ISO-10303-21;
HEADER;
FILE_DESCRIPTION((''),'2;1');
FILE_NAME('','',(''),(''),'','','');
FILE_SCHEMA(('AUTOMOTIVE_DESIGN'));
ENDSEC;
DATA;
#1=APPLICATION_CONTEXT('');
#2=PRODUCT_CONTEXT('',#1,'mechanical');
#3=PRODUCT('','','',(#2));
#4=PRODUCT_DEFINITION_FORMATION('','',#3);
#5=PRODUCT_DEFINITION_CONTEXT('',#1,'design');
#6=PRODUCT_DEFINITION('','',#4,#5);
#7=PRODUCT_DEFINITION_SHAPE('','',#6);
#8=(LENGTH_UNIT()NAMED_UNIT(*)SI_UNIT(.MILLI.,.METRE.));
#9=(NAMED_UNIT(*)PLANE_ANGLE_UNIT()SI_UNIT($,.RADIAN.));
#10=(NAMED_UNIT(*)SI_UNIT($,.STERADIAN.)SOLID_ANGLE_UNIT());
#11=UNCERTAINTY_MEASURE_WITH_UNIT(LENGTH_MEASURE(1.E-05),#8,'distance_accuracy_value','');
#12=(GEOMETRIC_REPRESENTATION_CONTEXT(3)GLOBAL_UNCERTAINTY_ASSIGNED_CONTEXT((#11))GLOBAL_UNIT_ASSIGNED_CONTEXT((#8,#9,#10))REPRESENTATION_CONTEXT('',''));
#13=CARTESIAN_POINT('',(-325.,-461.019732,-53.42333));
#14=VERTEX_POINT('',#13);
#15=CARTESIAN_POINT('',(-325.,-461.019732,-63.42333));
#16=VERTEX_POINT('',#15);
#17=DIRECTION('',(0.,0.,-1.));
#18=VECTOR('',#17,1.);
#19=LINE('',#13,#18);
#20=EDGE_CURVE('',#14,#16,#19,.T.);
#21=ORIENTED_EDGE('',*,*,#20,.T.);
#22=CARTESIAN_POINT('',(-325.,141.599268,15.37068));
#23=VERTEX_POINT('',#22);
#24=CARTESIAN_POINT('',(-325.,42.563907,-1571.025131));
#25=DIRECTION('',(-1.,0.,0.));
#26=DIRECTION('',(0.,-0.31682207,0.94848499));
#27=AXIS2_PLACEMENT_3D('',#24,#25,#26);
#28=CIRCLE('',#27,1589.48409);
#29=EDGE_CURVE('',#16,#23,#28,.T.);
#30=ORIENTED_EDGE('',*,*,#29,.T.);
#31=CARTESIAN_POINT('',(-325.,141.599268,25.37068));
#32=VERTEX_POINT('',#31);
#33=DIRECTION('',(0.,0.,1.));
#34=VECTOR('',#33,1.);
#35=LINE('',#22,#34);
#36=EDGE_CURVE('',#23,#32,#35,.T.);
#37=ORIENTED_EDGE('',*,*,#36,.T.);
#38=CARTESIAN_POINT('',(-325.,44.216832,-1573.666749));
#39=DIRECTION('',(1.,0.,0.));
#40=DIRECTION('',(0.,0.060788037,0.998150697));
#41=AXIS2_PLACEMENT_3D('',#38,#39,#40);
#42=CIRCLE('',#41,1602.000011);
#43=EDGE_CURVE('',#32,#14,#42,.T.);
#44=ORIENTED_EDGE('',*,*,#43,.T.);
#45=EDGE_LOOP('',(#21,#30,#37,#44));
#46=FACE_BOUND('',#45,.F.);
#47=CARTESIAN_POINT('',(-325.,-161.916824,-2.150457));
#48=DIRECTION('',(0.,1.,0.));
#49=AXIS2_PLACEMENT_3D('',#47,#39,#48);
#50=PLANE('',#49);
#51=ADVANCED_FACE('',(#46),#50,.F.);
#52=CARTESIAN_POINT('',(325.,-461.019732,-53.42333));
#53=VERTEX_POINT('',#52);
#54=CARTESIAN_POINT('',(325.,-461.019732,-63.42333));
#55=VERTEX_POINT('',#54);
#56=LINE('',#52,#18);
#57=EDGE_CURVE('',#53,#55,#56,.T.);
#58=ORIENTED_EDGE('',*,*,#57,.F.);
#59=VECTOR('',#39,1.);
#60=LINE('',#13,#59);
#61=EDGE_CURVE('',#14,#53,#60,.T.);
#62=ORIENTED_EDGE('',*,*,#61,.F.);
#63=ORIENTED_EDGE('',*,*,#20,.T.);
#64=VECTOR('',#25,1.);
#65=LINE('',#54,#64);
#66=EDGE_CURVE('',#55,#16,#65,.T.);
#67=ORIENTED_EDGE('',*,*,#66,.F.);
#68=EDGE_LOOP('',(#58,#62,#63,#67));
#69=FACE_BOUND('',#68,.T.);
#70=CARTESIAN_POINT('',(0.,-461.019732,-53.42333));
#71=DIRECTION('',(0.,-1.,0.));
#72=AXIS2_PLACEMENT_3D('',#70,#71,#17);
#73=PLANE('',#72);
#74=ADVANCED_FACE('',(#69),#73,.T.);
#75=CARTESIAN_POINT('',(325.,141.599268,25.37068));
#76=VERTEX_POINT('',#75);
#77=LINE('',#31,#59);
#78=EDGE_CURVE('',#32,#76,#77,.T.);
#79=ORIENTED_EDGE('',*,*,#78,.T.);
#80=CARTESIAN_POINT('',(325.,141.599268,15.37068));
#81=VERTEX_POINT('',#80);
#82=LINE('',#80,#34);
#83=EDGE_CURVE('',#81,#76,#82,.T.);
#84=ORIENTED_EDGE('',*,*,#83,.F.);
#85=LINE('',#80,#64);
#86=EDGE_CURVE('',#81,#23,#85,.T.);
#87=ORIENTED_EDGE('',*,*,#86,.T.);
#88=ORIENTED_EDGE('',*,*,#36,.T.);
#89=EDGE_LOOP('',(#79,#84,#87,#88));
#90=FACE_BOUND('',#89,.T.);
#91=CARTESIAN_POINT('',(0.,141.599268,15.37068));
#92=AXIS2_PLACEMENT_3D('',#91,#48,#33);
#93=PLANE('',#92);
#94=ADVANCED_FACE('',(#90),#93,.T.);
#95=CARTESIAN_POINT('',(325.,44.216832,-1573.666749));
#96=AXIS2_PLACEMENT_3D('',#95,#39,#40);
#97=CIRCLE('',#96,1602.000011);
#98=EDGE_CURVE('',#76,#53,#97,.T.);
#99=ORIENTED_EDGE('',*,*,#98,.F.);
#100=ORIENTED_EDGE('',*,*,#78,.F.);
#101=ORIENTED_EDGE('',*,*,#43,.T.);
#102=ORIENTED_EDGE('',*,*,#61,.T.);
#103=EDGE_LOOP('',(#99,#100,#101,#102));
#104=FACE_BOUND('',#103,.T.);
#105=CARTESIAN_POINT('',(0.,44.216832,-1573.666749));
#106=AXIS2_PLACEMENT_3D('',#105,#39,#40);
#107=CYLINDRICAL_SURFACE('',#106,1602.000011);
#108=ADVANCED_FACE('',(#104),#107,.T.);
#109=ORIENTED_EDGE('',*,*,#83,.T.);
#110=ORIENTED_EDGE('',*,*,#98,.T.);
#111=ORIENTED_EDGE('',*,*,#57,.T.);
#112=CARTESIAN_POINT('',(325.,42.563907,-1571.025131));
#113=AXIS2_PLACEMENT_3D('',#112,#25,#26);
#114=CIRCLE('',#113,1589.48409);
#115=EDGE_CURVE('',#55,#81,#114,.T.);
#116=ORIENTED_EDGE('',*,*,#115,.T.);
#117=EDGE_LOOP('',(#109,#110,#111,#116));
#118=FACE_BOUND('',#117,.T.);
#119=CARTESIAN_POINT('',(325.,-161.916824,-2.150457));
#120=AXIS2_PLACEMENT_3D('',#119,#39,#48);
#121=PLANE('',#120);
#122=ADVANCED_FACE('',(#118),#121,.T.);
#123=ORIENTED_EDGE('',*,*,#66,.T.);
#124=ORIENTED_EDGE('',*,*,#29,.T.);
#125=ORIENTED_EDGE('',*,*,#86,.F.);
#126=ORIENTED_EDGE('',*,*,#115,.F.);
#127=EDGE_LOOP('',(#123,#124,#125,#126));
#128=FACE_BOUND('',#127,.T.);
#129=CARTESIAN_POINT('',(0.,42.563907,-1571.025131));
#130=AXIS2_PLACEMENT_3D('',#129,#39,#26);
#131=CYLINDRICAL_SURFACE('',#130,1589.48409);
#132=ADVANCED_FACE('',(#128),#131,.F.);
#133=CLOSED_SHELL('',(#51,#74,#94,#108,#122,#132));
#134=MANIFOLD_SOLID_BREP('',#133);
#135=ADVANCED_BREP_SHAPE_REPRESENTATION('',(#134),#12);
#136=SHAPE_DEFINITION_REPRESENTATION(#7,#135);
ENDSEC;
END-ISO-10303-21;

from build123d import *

# Parameters (mm, degrees)
F1_DEPTH = 325


with BuildPart() as f1:
    # F0 (on Right) → F1 (new body, symmetric)
    with BuildSketch(Plane.YZ):
        with BuildLine():
            Line((141.599268, 15.37068), (141.599268, 25.37068))
            ThreePointArc((141.599268, 25.37068), (-163.480957, 14.812293), (-461.019732, -53.42333))
            Line((-461.019732, -53.42333), (-461.019732, -63.42333))
            ThreePointArc((-461.019732, -63.42333), (-163.511204, 5.043624), (141.599268, 15.37068))
        make_face()
    extrude(amount=F1_DEPTH, both=True)


solid = f1.part
